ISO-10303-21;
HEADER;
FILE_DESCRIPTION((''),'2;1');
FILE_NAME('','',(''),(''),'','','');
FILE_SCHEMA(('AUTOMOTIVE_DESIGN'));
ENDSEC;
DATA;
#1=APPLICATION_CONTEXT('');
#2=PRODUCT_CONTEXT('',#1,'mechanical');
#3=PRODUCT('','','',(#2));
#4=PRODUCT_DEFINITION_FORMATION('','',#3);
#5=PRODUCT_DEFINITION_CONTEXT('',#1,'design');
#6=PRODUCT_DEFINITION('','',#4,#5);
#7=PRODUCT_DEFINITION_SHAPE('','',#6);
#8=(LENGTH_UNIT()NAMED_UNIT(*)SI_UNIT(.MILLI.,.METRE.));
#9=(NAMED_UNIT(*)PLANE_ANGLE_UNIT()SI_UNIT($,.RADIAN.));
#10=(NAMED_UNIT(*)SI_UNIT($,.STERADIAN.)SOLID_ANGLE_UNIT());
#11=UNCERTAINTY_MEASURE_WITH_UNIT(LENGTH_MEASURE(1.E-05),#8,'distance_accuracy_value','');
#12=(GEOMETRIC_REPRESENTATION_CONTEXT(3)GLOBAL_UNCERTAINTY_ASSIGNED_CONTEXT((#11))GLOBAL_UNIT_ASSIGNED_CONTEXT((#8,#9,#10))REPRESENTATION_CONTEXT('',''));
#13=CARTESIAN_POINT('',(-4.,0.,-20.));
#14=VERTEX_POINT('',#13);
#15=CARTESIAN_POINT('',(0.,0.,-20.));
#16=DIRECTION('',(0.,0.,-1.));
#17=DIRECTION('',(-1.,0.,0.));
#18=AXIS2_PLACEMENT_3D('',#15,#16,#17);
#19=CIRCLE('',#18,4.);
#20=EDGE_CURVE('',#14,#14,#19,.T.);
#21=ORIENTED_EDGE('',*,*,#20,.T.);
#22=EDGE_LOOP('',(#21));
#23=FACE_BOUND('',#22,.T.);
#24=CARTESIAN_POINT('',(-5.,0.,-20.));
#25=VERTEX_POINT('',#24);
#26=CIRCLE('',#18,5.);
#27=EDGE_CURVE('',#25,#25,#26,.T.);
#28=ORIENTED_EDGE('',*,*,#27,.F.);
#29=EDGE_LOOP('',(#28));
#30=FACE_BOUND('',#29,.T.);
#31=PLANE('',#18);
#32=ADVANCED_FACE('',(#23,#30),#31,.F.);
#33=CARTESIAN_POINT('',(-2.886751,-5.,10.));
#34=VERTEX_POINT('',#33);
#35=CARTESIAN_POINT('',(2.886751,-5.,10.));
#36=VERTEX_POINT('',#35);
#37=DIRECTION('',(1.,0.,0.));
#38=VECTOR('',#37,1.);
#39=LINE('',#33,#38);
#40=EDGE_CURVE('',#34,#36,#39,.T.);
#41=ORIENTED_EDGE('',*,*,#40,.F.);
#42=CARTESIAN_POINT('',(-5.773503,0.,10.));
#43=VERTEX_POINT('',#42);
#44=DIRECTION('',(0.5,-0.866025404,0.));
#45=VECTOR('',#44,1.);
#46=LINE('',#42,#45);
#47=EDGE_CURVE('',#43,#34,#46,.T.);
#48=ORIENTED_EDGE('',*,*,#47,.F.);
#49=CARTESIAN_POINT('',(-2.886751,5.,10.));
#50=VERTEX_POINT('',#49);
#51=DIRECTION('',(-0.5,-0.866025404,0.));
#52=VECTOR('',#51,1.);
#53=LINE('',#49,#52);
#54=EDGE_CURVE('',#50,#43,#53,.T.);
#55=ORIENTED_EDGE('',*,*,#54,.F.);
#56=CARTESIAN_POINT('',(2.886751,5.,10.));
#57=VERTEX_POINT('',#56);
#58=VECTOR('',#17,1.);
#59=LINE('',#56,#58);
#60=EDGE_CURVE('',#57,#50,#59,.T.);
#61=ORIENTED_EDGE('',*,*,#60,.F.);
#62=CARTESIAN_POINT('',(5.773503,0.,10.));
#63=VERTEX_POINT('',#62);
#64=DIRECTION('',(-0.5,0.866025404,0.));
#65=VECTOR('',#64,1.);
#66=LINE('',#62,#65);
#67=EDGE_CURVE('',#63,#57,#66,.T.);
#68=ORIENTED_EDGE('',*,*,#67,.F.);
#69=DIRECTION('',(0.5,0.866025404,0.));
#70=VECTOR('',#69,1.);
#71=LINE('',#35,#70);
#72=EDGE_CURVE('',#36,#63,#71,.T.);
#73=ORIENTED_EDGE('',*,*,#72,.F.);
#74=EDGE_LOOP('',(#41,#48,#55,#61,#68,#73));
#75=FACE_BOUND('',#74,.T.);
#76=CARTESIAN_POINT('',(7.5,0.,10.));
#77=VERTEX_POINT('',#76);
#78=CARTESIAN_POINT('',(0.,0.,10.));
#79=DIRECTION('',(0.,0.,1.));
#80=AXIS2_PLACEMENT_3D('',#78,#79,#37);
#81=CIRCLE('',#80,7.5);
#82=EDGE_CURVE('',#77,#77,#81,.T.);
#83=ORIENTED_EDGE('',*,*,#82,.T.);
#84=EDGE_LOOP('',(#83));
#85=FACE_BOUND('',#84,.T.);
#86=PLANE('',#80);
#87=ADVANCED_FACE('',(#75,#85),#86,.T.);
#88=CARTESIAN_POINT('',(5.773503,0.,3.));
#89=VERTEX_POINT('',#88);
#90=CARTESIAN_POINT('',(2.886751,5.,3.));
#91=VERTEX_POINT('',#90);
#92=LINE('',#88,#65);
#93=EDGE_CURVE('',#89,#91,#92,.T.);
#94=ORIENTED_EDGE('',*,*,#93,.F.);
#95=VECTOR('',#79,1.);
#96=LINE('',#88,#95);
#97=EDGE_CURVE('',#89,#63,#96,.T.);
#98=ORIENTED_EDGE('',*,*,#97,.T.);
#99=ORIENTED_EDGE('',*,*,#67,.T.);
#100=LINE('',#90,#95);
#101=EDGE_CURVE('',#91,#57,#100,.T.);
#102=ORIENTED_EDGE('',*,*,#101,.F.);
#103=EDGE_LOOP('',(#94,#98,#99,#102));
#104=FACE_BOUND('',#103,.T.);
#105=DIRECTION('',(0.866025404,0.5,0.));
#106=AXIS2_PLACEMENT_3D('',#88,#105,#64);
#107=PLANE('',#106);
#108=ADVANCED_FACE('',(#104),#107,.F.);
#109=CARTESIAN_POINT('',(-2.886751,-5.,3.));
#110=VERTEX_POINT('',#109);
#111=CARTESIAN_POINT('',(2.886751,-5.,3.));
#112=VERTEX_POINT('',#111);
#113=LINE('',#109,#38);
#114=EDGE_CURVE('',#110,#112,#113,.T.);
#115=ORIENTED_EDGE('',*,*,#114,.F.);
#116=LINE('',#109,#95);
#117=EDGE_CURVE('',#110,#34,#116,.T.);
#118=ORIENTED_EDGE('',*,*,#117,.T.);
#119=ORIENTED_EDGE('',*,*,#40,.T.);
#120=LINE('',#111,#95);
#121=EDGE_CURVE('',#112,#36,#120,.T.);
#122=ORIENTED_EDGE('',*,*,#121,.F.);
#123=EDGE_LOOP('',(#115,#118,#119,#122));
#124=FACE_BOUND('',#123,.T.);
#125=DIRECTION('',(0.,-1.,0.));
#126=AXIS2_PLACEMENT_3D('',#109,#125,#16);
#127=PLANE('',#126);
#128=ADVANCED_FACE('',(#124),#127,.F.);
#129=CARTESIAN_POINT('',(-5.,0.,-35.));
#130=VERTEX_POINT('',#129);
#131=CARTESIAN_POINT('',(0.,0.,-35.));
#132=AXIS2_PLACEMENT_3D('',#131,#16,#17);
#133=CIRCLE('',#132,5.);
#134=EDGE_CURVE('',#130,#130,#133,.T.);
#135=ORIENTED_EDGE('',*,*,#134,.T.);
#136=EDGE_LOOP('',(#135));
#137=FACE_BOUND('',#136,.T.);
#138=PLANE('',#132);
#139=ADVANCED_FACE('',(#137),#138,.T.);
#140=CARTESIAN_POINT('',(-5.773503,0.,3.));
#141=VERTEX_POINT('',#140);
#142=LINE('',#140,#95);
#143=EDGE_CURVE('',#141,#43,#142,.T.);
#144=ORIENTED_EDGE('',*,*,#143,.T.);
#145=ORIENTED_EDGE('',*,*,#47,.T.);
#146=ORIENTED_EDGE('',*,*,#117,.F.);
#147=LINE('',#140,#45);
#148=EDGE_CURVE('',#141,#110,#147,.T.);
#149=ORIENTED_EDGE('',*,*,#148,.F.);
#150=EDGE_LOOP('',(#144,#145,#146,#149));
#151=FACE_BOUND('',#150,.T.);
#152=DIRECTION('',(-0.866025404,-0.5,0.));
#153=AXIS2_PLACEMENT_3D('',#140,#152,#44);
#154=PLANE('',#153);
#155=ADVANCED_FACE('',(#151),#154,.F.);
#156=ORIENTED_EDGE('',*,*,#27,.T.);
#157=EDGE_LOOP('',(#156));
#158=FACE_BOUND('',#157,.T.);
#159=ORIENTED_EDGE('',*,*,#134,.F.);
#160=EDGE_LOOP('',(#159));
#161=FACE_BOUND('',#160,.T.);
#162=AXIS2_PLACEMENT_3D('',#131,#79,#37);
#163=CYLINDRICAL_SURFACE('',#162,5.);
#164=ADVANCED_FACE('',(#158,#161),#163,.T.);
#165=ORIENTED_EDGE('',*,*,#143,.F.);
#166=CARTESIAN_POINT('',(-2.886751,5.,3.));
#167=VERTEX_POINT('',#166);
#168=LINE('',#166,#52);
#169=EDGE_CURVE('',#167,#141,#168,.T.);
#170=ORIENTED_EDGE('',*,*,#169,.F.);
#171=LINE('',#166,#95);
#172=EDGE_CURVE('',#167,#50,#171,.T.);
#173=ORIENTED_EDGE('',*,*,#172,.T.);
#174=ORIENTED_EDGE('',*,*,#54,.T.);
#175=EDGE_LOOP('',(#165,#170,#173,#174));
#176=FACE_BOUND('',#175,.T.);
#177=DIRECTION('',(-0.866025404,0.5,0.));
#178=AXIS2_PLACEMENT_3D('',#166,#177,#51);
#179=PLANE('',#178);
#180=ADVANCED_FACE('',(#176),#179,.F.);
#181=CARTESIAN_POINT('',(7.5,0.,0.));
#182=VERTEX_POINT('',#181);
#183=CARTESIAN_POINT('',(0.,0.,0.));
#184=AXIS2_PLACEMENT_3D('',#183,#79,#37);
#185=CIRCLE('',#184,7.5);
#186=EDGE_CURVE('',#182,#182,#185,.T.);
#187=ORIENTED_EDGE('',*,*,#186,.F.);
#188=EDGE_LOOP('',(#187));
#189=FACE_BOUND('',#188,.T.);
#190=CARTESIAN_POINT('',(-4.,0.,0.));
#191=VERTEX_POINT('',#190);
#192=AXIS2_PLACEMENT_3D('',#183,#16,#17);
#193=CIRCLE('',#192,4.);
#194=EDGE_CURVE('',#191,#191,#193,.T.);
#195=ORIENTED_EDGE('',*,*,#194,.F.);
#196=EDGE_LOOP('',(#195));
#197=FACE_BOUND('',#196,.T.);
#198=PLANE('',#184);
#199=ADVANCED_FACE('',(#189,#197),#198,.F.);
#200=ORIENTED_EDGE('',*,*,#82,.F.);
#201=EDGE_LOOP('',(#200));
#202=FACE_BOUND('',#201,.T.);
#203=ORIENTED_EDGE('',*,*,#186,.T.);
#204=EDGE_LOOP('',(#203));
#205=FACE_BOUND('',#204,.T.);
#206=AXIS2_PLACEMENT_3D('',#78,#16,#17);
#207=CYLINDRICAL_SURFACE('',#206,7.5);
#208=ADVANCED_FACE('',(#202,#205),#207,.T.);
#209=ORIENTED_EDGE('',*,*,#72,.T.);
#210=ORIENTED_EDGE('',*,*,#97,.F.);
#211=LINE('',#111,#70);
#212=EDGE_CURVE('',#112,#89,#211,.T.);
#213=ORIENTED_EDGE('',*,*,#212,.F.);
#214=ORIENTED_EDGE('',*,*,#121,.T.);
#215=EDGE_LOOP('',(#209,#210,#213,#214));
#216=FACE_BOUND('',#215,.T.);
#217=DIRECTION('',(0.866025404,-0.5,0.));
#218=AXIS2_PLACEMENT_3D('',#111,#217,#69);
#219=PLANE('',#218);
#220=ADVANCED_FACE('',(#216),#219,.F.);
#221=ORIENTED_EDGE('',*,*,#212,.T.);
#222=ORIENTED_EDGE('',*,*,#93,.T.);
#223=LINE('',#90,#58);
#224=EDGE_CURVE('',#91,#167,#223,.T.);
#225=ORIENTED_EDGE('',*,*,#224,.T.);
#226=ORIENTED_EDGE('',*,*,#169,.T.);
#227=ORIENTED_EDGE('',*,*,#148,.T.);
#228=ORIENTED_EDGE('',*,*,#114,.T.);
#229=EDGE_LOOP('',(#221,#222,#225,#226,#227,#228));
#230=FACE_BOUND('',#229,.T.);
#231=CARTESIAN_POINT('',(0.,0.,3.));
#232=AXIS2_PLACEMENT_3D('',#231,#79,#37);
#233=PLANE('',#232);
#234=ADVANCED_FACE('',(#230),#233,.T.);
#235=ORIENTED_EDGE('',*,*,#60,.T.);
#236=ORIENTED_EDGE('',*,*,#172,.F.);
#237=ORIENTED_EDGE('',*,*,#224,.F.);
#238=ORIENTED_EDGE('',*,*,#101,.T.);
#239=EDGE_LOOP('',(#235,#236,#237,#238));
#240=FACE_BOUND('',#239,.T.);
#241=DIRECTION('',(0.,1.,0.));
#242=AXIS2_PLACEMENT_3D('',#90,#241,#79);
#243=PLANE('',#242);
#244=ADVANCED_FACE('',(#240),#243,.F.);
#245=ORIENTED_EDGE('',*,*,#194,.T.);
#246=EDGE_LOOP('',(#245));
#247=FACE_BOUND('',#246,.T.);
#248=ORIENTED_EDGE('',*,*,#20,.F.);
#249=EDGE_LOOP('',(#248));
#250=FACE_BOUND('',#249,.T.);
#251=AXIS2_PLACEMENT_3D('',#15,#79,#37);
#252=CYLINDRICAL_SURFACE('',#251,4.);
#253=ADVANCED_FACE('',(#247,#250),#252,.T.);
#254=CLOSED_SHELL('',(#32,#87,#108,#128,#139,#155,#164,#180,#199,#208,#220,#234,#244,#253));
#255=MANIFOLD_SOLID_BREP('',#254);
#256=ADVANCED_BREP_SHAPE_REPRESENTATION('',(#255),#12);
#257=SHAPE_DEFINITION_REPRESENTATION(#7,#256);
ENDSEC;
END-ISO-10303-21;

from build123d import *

# Parameters (mm, degrees)
SKETCH1_R           = 7.5
BOSS_EXTRUDE1_DEPTH = 10
SKETCH2_R           = 4
BOSS_EXTRUDE2_DEPTH = 20
SKETCH3_R           = 5
BOSS_EXTRUDE3_DEPTH = 15
CUT_EXTRUDE1_DEPTH  = 7


with BuildPart() as part:
    # Sketch1 → Boss-Extrude1 (new body)
    with BuildSketch(Plane.XY):
        Circle(SKETCH1_R)
    extrude(amount=BOSS_EXTRUDE1_DEPTH)

    # Sketch2 → Boss-Extrude2 (add)
    with BuildSketch(Plane(origin=(0, 0, 0), x_dir=(-1, 0, 0), z_dir=(0, 0, -1))):
        Circle(SKETCH2_R)
    extrude(amount=BOSS_EXTRUDE2_DEPTH)

    # Sketch3 → Boss-Extrude3 (add)
    with BuildSketch(Plane(origin=(0, 0, -20), x_dir=(-1, 0, 0), z_dir=(0, 0, -1))):
        Circle(SKETCH3_R)
    extrude(amount=BOSS_EXTRUDE3_DEPTH)

    # Sketch4 → Cut-Extrude1 (cut)
    with BuildSketch(Plane.XY.offset(10)):
        Polygon((2.886751346, 5), (-2.886751346, 5), (-5.773502692, 0), (-2.886751346, -5), (2.886751346, -5), (5.773502692, 0), align=None)
    extrude(amount=-CUT_EXTRUDE1_DEPTH, mode=Mode.SUBTRACT)


solid = part.part
